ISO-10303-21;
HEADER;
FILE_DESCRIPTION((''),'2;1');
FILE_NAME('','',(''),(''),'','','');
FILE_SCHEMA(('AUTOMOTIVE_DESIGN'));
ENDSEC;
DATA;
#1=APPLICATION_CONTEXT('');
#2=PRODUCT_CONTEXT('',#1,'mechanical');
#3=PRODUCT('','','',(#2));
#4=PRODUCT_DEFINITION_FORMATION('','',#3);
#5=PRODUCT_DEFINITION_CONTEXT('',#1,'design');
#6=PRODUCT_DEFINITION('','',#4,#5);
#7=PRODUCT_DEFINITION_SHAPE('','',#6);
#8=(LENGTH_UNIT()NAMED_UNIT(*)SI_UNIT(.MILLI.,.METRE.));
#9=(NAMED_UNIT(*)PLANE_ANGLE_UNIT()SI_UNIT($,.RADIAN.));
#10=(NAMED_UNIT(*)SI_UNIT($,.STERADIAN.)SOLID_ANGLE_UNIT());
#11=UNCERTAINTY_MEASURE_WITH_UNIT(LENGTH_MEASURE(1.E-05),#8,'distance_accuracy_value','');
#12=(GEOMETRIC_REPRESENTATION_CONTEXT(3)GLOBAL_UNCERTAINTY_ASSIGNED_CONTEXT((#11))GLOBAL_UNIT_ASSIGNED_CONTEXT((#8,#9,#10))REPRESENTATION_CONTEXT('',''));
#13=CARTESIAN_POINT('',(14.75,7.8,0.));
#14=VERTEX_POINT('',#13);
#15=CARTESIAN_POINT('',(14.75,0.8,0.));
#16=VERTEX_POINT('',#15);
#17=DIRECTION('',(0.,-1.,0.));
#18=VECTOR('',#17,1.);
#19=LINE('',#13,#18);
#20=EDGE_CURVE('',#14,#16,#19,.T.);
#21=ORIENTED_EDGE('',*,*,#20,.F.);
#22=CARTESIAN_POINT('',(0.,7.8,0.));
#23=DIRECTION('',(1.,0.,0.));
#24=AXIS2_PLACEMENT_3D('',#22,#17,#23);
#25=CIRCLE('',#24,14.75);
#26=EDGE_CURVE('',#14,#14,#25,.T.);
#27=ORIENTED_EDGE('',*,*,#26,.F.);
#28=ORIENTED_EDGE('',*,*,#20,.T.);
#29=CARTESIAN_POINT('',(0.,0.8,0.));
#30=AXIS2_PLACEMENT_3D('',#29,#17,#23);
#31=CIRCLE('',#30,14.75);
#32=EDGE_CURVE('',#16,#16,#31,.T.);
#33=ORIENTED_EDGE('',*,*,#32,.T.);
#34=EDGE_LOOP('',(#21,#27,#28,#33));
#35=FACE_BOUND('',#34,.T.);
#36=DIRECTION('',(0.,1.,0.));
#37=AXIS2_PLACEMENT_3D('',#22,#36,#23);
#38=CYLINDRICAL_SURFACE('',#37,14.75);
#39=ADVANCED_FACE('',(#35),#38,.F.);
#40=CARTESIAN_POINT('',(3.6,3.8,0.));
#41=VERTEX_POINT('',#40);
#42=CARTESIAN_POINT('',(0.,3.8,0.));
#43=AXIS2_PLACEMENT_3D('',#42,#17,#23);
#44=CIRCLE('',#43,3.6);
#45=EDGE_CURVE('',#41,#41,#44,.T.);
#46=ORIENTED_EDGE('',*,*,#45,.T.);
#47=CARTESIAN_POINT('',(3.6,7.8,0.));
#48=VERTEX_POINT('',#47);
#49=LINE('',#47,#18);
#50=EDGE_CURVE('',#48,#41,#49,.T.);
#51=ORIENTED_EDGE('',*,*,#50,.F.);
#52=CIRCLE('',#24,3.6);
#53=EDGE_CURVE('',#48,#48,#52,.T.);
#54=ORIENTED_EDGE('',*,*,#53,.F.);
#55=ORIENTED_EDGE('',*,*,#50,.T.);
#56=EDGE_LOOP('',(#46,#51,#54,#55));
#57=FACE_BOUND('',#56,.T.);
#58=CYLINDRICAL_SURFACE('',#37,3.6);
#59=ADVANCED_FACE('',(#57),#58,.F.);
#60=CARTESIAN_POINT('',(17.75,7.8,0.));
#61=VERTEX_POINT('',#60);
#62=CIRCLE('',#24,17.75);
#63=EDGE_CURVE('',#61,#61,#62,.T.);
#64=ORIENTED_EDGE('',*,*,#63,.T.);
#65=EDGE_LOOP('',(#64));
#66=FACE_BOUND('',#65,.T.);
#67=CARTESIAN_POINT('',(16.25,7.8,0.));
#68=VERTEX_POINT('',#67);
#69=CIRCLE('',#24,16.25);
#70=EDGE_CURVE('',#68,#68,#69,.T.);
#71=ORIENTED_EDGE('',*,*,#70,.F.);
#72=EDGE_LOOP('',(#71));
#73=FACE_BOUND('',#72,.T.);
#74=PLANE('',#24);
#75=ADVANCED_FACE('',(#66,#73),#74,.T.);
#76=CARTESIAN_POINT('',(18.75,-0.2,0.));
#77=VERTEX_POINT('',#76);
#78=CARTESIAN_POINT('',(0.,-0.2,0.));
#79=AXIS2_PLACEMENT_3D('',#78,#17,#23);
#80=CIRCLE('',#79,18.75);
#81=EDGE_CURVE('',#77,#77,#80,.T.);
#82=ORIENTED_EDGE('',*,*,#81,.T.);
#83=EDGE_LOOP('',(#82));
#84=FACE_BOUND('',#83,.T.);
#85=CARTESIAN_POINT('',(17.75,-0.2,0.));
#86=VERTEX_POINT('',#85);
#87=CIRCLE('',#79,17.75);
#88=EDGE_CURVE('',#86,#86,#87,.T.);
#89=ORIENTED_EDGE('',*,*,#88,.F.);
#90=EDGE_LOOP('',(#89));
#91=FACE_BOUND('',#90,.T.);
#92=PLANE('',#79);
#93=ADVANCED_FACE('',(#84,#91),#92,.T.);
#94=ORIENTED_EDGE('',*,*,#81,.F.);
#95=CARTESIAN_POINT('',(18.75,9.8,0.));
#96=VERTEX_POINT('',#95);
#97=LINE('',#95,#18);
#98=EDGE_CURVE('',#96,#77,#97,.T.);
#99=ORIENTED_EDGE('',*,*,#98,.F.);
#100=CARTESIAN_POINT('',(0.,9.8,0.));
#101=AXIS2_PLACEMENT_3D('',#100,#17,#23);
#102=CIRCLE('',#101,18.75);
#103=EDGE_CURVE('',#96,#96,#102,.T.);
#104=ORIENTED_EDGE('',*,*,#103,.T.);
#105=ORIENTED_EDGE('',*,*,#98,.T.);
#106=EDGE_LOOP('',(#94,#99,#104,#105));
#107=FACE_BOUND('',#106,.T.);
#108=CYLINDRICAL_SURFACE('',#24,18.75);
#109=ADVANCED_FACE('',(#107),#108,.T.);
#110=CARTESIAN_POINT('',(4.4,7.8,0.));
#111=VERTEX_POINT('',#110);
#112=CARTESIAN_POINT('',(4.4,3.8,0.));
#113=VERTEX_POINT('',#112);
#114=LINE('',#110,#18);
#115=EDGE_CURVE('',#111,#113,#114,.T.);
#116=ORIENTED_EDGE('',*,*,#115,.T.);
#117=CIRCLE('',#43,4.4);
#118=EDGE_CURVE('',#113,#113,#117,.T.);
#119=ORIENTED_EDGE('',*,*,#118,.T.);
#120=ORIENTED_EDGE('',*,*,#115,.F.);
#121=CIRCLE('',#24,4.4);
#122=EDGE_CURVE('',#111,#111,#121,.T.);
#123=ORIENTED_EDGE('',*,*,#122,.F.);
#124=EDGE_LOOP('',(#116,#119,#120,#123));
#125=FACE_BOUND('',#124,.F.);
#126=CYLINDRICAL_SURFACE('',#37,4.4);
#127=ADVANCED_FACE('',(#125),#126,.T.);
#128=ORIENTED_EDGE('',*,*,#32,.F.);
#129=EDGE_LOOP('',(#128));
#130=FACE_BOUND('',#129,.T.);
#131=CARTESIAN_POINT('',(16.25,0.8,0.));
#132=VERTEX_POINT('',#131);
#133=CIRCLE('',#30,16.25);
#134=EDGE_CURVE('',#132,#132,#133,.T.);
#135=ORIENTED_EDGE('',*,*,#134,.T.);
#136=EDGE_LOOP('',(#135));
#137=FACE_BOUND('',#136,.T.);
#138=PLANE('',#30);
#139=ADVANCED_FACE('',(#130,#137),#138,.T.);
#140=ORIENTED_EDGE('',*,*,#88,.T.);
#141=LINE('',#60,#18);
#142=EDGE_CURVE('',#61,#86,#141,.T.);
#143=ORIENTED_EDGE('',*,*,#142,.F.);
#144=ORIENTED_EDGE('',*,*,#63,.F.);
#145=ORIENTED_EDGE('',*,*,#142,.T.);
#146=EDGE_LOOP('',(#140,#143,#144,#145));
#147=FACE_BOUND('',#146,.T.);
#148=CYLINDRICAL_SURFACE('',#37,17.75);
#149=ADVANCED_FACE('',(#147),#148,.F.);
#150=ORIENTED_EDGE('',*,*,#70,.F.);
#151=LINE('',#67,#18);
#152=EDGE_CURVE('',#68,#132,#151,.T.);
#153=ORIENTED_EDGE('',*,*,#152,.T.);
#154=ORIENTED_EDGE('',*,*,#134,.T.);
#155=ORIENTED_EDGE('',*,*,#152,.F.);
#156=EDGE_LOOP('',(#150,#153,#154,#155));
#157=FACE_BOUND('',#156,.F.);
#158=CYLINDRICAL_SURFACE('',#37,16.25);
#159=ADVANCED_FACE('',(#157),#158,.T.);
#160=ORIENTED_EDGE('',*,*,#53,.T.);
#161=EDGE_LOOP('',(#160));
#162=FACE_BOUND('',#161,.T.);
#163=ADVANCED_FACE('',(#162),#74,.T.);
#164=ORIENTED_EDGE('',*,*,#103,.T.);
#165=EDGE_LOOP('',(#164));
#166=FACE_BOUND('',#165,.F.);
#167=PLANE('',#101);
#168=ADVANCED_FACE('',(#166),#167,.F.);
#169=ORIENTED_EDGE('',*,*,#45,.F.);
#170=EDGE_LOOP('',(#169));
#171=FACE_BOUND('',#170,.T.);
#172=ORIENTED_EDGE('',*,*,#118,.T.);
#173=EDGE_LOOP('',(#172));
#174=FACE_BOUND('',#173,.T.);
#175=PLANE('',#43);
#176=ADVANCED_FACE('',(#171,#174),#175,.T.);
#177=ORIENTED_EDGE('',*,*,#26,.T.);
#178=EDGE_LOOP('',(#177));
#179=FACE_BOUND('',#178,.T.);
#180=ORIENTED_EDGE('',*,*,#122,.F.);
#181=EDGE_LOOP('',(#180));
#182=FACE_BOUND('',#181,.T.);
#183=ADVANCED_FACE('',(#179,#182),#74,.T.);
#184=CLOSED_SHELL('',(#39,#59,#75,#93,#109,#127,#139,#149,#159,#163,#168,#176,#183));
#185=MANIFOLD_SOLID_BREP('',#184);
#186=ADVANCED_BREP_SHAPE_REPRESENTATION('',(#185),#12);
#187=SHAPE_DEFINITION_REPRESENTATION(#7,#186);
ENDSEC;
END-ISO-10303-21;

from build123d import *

# Parameters (mm, degrees)
SKETCH002_R      = 18.75
PAD001_DEPTH     = 2
SKETCH003_R      = 4.4
SKETCH003_R_2    = 3.6
PAD002_DEPTH     = 4
SKETCH003001_R   = 16.25
SKETCH003001_R_2 = 14.75
PAD003_DEPTH     = 7
SKETCH003002_R   = 18.75
SKETCH003002_R_2 = 17.75
PAD004_DEPTH     = 8


with BuildPart() as toppad:
    # Sketch002 → Pad001 (new body)
    with BuildSketch(Plane.XZ.offset(-7.8)):
        Circle(SKETCH002_R)
    extrude(amount=-PAD001_DEPTH)


with BuildPart() as centershaft:
    # Sketch003 → Pad002 (new body)
    with BuildSketch(Plane.XZ.offset(-7.8)):
        Circle(SKETCH003_R)
        Circle(SKETCH003_R_2, mode=Mode.SUBTRACT)
    extrude(amount=PAD002_DEPTH)


with BuildPart() as topguidering001:
    # Sketch003001 → Pad003 (new body)
    with BuildSketch(Plane.XZ.offset(-7.8)):
        Circle(SKETCH003001_R)
        Circle(SKETCH003001_R_2, mode=Mode.SUBTRACT)
    extrude(amount=PAD003_DEPTH)


with BuildPart() as topfusion:
    # Sketch003002 → Pad004 (new body)
    with BuildSketch(Plane.XZ.offset(-7.8)):
        Circle(SKETCH003002_R)
        Circle(SKETCH003002_R_2, mode=Mode.SUBTRACT)
    extrude(amount=PAD004_DEPTH)

    # Fusion001: union TopPad, CenterShaft, TopGuideRing001
    add(toppad.part)
    add(centershaft.part)
    add(topguidering001.part)


solid = topfusion.part
